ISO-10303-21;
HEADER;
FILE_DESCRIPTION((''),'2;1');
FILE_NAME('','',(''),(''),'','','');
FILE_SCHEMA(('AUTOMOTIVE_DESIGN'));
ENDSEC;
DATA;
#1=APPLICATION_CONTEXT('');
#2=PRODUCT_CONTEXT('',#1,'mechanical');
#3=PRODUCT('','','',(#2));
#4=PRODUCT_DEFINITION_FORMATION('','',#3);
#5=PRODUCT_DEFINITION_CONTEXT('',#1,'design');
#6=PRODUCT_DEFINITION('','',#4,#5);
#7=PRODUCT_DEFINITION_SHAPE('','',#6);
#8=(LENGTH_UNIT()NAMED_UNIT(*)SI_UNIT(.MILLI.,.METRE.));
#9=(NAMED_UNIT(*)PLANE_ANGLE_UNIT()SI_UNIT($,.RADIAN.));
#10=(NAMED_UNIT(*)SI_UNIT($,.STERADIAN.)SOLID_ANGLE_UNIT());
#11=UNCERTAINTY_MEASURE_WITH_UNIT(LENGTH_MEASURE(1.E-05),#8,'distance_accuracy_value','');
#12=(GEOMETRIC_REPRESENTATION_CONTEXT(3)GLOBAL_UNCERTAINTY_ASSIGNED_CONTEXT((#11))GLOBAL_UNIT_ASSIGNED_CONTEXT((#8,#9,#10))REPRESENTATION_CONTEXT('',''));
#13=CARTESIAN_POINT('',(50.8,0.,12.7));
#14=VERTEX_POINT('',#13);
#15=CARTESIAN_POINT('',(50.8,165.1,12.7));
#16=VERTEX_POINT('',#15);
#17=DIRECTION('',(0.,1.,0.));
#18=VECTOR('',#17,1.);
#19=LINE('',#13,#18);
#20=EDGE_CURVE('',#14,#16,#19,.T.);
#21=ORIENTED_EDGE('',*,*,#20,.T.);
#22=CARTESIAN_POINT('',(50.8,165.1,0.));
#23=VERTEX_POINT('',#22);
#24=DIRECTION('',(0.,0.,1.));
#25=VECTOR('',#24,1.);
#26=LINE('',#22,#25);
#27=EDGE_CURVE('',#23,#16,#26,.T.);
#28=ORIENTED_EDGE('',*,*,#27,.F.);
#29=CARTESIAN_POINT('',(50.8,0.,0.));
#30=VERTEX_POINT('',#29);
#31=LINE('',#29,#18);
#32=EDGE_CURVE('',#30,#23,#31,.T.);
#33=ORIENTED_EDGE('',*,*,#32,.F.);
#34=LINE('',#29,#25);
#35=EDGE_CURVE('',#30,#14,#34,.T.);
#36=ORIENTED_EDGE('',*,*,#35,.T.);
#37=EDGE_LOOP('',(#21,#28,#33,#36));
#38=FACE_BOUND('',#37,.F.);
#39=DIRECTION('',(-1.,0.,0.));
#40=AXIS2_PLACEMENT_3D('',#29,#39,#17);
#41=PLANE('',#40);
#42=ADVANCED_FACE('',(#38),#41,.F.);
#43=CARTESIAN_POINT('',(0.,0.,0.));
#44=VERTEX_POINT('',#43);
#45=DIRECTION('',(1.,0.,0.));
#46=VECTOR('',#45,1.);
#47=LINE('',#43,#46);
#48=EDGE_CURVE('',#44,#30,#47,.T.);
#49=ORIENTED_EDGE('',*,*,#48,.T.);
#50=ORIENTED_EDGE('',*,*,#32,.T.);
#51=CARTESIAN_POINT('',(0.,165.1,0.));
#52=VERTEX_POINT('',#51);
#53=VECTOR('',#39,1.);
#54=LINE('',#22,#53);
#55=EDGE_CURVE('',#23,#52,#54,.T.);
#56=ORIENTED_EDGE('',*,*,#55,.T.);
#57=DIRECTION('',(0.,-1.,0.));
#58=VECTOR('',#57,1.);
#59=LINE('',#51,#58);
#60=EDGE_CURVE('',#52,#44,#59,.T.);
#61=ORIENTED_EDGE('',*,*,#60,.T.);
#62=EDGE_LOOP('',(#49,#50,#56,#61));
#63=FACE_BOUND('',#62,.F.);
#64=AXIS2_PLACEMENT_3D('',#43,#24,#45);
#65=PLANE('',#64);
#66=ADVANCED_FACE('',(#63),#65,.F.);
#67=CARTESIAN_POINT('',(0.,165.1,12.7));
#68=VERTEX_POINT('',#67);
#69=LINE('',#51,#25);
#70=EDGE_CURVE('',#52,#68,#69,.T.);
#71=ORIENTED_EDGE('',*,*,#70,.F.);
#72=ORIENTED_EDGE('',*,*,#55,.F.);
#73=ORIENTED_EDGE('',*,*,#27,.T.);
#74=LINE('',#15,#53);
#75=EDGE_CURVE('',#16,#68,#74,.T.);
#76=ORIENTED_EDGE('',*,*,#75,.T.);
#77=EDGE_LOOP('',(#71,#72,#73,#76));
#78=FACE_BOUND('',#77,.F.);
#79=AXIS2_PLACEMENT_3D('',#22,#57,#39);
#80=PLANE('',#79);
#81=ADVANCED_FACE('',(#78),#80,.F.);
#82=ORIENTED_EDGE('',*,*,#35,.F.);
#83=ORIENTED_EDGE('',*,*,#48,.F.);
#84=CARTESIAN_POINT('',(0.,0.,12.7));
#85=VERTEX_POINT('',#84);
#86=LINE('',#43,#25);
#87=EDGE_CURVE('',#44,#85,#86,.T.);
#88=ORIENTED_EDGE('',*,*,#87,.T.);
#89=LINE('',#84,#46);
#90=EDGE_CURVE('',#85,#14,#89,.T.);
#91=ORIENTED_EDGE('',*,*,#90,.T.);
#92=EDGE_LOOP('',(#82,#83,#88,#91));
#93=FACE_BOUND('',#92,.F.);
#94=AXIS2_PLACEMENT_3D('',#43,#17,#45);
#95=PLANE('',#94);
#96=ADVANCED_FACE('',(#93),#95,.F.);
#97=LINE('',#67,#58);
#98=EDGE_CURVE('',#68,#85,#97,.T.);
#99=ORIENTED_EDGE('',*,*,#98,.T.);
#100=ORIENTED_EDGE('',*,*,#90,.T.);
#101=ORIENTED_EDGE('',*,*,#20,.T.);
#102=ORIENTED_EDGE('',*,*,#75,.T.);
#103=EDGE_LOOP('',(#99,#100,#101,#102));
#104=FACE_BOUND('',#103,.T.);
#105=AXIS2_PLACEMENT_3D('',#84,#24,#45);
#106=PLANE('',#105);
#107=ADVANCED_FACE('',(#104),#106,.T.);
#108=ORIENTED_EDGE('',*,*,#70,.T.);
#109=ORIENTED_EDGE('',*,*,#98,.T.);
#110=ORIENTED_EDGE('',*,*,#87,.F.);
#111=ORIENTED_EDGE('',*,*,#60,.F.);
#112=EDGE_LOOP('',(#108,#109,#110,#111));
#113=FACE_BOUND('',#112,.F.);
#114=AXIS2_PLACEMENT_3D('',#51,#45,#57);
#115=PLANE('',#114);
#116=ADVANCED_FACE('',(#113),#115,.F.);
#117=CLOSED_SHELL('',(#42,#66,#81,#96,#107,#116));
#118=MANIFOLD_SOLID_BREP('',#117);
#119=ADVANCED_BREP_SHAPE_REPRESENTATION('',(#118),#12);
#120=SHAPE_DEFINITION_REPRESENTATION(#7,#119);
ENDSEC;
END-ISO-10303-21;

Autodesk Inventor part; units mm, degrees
ref_plane "YZ Plane" through (0, 0, 0) normal (1, 0, 0) x (0, 1, 0)
ref_plane "XZ Plane" through (0, 0, 0) normal (0, 1, 0) x (-1, 0, 0)
ref_plane "XY Plane" through (0, 0, 0) normal (0, 0, 1) x (1, 0, 0)
sketch "Sketch1" plane through (0, 0, 0) normal (0, 0, 1) x (1, 0, 0)
  line L0 (0, 0) -> (50.8, 0)
  line L1 (50.8, 0) -> (50.8, 165.1)
  line L2 (50.8, 165.1) -> (0, 165.1)
  line L3 (0, 165.1) -> (0, 0)
  dimension "d0" = 50.8
  dimension "d1" = 165.1
extrude "Extrusion1" add sketch "Sketch1" along normal blind 12.7
properties part number "2x6.5 PCB"
